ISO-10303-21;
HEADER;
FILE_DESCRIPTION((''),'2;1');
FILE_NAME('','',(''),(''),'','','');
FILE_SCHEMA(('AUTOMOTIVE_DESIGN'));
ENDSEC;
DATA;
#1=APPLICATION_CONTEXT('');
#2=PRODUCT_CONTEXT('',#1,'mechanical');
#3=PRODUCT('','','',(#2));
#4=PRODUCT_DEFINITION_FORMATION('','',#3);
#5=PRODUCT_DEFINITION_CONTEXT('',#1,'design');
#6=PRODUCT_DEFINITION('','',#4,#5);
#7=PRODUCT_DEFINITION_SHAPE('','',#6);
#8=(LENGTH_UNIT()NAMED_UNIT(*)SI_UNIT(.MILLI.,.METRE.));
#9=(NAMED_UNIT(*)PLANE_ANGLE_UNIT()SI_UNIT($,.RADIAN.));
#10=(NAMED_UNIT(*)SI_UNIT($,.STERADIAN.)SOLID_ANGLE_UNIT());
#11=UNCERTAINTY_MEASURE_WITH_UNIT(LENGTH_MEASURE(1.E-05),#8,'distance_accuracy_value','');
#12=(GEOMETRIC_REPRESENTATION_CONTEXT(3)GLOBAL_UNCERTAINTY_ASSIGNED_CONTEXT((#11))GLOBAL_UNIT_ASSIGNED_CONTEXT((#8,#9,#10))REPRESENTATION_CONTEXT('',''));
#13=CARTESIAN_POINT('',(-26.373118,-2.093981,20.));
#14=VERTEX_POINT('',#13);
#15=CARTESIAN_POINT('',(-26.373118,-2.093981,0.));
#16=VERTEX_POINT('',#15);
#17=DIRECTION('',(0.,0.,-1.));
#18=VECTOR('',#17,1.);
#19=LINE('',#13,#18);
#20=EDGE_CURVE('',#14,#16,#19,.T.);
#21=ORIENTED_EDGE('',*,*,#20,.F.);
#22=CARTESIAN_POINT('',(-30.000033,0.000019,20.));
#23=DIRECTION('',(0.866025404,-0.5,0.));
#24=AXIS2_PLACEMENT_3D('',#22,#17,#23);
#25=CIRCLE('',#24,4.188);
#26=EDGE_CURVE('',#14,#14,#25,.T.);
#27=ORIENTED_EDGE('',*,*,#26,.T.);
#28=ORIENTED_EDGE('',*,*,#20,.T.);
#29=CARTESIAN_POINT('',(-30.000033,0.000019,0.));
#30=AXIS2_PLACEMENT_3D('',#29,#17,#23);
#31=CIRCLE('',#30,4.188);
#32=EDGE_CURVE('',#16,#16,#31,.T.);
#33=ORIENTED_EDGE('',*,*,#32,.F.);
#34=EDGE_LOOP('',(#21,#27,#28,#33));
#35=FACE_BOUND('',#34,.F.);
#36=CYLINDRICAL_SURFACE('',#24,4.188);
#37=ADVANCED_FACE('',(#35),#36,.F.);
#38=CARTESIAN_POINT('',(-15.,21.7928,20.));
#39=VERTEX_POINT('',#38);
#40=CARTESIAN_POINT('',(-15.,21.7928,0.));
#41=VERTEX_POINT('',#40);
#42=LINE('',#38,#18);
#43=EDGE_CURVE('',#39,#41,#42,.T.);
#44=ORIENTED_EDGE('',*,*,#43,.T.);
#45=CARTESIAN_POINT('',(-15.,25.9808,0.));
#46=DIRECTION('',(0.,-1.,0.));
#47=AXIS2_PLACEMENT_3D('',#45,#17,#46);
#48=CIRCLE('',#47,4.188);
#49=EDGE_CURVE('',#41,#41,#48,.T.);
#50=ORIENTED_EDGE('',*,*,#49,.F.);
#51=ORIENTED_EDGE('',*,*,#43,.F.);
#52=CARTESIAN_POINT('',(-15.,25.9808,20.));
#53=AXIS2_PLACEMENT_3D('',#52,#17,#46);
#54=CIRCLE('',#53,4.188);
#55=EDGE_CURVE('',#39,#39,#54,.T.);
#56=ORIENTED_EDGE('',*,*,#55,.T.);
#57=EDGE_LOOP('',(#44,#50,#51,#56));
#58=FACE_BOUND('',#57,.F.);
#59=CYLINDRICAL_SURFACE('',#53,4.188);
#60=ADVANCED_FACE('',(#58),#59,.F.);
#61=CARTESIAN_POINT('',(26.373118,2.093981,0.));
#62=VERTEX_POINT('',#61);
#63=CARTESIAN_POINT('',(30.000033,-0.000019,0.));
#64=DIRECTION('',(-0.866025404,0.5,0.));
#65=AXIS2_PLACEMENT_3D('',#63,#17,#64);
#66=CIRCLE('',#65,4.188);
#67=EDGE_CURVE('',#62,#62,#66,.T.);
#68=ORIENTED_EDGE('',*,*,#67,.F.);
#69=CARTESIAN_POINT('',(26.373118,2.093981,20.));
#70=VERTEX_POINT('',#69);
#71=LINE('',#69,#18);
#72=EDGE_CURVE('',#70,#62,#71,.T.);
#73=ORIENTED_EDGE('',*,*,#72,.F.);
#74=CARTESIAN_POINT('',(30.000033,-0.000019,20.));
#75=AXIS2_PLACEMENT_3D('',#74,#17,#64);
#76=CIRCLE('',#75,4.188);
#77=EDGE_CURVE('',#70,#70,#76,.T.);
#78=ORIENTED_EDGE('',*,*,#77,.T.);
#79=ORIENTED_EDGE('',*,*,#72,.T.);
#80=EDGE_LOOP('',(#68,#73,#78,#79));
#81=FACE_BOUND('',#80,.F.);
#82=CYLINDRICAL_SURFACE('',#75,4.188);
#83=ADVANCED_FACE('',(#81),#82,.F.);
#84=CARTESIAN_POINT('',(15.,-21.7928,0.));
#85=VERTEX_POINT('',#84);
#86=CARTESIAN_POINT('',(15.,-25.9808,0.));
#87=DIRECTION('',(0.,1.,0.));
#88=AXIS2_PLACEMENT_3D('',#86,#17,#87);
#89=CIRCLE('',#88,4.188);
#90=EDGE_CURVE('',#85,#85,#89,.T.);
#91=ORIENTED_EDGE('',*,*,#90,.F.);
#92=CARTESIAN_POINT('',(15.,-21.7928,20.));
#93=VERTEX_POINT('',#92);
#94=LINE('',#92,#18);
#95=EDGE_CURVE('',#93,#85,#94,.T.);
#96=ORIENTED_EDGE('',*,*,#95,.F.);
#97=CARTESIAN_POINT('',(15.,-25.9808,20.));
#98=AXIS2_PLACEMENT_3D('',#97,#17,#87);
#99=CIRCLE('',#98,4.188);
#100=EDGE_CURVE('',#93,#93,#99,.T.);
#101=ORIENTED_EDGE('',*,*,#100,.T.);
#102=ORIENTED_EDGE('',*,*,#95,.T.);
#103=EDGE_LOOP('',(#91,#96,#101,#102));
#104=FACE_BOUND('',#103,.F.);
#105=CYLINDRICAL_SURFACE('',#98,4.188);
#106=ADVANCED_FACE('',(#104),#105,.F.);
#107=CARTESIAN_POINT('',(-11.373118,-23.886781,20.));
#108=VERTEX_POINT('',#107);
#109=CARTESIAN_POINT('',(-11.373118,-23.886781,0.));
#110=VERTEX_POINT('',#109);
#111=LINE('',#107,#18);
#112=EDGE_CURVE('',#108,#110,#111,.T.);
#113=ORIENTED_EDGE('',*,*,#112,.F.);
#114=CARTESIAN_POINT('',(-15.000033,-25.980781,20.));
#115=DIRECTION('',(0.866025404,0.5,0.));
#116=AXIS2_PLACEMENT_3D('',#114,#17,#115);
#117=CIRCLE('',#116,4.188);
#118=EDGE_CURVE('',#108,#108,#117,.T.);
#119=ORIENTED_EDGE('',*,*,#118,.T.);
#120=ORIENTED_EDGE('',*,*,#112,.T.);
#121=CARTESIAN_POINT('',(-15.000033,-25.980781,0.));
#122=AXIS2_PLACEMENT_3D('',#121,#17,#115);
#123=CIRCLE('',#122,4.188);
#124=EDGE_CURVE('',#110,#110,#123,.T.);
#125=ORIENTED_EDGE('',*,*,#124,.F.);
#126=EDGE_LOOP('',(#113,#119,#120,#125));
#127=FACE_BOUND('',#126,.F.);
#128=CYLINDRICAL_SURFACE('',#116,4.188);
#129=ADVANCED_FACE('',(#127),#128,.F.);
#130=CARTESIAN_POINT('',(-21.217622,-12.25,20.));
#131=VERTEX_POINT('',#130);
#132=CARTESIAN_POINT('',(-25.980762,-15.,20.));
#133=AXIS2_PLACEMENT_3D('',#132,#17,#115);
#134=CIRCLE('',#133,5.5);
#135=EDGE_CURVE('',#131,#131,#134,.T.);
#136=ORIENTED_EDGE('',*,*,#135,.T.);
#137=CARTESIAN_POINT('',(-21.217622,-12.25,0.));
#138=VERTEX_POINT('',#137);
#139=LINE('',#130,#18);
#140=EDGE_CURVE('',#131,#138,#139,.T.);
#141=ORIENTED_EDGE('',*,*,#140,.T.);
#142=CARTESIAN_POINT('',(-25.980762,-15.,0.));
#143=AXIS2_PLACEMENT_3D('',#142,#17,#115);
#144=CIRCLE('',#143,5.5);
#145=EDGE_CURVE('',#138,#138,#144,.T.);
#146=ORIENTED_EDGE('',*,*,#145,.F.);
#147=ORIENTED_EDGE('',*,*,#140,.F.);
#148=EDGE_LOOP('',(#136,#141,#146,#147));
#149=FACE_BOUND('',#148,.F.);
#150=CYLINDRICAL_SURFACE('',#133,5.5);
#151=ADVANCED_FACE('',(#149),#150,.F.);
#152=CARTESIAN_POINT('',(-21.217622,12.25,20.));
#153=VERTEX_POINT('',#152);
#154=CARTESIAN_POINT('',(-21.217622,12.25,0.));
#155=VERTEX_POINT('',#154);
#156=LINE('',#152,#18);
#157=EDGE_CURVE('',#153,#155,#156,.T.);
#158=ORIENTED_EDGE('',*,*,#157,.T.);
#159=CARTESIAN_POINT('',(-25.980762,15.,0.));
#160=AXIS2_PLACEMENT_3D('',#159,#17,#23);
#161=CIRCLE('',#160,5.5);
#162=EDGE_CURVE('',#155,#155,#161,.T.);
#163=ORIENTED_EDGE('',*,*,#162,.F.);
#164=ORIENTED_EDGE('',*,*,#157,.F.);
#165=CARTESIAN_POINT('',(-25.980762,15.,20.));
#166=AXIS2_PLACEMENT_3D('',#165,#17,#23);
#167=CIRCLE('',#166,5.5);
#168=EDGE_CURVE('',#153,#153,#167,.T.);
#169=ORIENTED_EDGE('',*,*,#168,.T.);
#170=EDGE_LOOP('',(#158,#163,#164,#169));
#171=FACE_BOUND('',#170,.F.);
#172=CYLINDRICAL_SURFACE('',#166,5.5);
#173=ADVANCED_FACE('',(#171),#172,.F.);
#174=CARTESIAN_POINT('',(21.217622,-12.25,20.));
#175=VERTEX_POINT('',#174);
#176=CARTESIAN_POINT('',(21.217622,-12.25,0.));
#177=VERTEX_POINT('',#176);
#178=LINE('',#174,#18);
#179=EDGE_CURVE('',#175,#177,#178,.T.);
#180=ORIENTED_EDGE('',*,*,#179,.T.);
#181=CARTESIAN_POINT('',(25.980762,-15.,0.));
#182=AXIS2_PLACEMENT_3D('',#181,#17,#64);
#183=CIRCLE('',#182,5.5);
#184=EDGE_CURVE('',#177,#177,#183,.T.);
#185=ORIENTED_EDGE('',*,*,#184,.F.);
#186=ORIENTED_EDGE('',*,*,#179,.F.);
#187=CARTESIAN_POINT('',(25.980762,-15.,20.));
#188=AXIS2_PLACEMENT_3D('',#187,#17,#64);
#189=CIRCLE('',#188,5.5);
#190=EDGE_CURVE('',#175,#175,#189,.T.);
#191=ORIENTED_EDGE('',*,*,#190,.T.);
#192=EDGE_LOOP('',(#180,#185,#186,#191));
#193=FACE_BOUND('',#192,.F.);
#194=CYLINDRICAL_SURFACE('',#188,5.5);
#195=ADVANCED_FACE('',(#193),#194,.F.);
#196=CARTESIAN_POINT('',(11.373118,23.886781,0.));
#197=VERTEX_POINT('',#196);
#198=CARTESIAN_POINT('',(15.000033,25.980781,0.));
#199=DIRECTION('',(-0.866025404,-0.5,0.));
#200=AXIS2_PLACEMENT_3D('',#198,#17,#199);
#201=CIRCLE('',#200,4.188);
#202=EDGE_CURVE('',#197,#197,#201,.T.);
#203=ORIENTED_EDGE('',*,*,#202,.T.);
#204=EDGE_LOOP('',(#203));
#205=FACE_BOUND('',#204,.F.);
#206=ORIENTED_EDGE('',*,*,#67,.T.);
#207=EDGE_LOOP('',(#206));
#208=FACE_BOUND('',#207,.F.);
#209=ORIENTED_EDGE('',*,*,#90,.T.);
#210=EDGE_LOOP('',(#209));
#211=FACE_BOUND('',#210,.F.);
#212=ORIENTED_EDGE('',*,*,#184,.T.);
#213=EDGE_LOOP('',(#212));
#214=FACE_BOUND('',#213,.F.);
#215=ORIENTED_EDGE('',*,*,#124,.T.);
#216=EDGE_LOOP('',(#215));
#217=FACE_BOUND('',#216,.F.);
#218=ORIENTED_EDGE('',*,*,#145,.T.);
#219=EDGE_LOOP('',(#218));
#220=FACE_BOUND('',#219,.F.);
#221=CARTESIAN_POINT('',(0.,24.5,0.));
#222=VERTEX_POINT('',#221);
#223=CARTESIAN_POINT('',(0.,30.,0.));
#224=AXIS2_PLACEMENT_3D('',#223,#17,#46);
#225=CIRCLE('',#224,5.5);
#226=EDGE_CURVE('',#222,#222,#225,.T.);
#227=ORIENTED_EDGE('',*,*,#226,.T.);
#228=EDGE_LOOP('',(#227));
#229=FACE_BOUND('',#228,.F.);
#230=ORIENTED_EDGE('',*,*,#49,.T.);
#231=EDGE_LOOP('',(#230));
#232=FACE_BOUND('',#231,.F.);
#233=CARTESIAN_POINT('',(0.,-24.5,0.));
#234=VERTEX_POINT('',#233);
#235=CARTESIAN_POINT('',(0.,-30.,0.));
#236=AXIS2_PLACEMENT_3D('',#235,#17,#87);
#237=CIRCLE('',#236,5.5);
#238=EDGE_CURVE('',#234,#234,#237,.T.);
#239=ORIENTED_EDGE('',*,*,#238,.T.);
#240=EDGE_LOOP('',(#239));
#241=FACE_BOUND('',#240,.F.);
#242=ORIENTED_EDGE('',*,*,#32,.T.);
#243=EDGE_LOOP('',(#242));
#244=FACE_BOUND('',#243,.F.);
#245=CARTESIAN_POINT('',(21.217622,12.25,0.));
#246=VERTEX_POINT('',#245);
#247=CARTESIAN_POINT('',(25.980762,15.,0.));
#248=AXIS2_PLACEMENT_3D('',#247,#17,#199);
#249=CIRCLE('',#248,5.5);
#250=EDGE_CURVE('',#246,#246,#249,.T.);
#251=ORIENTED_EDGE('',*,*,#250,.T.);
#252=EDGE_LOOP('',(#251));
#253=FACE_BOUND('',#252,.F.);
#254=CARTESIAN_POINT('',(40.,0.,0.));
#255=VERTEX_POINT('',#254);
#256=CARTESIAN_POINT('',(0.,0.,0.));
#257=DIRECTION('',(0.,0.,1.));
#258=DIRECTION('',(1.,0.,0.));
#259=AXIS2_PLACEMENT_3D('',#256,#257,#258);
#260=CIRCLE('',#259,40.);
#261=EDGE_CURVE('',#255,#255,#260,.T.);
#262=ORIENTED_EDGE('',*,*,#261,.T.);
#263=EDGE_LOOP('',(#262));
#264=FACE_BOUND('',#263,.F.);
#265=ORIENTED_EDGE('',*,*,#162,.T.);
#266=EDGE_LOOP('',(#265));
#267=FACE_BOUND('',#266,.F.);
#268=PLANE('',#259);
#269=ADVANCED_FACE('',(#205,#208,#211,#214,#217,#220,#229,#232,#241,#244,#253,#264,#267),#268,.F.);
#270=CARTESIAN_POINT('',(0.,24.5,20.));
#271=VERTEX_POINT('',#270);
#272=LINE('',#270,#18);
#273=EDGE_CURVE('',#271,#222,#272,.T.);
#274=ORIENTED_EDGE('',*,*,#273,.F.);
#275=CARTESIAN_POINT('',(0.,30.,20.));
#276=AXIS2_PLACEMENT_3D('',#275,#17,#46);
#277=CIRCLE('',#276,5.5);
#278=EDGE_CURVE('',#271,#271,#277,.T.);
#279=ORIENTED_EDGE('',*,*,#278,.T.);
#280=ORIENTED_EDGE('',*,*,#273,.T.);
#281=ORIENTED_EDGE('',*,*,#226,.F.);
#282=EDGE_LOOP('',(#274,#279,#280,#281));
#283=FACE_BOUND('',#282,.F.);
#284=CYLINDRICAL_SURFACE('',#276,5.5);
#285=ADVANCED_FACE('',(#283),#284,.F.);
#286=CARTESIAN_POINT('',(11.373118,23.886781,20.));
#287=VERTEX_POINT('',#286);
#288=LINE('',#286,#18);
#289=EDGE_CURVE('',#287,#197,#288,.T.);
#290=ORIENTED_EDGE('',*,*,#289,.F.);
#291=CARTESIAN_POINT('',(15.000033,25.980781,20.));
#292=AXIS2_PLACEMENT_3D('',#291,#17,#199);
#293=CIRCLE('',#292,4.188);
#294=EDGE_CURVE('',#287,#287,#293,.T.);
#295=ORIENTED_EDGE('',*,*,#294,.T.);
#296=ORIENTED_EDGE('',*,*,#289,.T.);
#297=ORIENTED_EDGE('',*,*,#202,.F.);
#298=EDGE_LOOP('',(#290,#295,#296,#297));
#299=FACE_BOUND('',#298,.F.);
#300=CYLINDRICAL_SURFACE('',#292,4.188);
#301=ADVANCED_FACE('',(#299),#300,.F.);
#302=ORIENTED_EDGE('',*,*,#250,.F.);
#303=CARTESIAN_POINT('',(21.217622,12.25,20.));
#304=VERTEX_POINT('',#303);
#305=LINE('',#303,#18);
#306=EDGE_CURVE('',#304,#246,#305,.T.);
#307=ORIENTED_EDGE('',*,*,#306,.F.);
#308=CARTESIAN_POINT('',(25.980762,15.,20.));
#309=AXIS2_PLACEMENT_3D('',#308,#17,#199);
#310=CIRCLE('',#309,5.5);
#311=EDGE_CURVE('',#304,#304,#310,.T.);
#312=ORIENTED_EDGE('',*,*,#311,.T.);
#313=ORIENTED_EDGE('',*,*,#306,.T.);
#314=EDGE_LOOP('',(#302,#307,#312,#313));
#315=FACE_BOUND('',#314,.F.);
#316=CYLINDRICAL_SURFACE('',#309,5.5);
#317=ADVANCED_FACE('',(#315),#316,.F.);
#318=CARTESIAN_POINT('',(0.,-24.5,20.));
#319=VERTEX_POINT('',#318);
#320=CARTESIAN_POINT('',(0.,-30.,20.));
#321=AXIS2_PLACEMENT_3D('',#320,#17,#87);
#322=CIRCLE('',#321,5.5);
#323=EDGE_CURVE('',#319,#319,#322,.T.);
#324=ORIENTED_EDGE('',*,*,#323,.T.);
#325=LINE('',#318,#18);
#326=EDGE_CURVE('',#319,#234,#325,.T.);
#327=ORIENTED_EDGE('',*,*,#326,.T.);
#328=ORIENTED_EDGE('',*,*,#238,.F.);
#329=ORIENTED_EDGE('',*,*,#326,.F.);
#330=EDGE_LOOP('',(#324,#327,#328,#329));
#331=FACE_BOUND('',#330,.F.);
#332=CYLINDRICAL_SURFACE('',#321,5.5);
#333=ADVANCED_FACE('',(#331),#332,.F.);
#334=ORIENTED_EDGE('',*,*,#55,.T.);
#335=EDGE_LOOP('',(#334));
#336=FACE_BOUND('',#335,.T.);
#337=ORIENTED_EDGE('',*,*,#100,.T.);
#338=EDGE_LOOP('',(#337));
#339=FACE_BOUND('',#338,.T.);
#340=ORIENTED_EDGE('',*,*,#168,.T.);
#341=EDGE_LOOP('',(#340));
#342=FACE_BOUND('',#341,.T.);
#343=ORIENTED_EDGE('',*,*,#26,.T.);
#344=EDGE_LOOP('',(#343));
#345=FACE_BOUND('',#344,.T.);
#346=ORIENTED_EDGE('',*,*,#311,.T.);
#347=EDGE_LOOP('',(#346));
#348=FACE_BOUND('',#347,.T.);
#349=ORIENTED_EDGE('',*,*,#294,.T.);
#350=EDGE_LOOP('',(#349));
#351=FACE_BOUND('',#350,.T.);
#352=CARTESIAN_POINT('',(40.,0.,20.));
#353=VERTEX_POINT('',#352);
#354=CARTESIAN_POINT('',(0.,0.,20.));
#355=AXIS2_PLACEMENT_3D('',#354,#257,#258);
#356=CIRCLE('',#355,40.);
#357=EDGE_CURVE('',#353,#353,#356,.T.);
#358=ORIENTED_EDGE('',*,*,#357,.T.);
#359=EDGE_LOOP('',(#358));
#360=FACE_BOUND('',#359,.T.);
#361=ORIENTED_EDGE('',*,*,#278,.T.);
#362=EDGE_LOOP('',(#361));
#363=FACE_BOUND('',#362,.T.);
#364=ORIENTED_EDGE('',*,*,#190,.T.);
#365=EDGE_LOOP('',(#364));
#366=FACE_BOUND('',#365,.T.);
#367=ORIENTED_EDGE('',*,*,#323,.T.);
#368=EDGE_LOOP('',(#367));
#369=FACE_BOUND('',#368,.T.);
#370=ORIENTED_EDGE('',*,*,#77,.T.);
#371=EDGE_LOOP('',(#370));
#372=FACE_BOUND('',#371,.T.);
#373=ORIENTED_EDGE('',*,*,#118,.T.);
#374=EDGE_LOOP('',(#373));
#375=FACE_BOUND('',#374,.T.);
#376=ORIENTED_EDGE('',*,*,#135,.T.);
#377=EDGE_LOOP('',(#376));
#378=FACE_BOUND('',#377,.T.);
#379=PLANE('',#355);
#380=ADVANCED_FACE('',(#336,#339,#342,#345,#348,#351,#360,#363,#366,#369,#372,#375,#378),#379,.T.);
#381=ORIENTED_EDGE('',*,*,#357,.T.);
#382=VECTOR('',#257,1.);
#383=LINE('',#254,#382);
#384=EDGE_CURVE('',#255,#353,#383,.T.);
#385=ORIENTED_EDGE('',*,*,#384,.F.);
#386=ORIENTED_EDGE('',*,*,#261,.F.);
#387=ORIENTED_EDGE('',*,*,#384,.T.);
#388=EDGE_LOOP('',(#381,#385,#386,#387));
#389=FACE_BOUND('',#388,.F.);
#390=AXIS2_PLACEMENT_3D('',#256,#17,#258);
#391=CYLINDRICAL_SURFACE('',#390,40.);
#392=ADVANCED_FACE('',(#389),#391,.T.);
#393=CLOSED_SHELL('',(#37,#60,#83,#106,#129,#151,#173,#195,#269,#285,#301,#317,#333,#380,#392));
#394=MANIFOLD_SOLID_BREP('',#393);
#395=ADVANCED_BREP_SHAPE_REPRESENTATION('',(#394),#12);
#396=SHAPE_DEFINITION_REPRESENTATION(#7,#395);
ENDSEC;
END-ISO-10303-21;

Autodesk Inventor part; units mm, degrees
ref_plane "YZ Plane" through (0, 0, 0) normal (1, 0, 0) x (0, 1, 0)
ref_plane "XZ Plane" through (0, 0, 0) normal (0, 1, 0) x (-1, 0, 0)
ref_plane "XY Plane" through (0, 0, 0) normal (0, 0, 1) x (1, 0, 0)
sketch "Esboço1" plane through (0, 0, 0) normal (0, 0, 1) x (1, 0, 0)
  circle A0 centre (0, 0) radius 40
  dimension "d0" = 80
extrude "Extrusão1" add sketch "Esboço1" along normal blind 20
sketch "Esboço2" plane through (0, 0, 20) normal (0, 0, 1) x (1, 0, 0)
  point P0 (0, 0)
  point P1 (0, 30)
  dimension "d3" = 30
hole "Furo1" at (0, 30, 20) direction (0, 0, -1) diameter 11 end through all
pattern_circular "Padrão circular1" count 6 over 360 about axis through (0, 0, 0) along (0, 0, 1) of "Furo1"
sketch "Esboço3" plane through (0, 0, 20) normal (0, 0, 1) x (1, 0, 0)
  circle A0 centre (0, 30) radius 5.5 projected
  circle A1 centre (0, 0) radius 30 construction
  line L0 (0, 0) -> (-62.0397, 0) construction
  line L1 (0, 0) -> (-27.415, 47.4843)
  point P0 (-15, 25.9808)
  dimension "d14" = 60
hole "Furo2" at (-15, 25.9808, 20) direction (0, 0, -1) diameter 8.376 end through all thread size "M10x1.5" class "6H" standard "ISO Metric profile"
pattern_circular "Padrão circular2" count 6 over 360 about axis through (0, 0, 0) along (0, 0, 1) of "Furo2"
properties part number "3D Model"
